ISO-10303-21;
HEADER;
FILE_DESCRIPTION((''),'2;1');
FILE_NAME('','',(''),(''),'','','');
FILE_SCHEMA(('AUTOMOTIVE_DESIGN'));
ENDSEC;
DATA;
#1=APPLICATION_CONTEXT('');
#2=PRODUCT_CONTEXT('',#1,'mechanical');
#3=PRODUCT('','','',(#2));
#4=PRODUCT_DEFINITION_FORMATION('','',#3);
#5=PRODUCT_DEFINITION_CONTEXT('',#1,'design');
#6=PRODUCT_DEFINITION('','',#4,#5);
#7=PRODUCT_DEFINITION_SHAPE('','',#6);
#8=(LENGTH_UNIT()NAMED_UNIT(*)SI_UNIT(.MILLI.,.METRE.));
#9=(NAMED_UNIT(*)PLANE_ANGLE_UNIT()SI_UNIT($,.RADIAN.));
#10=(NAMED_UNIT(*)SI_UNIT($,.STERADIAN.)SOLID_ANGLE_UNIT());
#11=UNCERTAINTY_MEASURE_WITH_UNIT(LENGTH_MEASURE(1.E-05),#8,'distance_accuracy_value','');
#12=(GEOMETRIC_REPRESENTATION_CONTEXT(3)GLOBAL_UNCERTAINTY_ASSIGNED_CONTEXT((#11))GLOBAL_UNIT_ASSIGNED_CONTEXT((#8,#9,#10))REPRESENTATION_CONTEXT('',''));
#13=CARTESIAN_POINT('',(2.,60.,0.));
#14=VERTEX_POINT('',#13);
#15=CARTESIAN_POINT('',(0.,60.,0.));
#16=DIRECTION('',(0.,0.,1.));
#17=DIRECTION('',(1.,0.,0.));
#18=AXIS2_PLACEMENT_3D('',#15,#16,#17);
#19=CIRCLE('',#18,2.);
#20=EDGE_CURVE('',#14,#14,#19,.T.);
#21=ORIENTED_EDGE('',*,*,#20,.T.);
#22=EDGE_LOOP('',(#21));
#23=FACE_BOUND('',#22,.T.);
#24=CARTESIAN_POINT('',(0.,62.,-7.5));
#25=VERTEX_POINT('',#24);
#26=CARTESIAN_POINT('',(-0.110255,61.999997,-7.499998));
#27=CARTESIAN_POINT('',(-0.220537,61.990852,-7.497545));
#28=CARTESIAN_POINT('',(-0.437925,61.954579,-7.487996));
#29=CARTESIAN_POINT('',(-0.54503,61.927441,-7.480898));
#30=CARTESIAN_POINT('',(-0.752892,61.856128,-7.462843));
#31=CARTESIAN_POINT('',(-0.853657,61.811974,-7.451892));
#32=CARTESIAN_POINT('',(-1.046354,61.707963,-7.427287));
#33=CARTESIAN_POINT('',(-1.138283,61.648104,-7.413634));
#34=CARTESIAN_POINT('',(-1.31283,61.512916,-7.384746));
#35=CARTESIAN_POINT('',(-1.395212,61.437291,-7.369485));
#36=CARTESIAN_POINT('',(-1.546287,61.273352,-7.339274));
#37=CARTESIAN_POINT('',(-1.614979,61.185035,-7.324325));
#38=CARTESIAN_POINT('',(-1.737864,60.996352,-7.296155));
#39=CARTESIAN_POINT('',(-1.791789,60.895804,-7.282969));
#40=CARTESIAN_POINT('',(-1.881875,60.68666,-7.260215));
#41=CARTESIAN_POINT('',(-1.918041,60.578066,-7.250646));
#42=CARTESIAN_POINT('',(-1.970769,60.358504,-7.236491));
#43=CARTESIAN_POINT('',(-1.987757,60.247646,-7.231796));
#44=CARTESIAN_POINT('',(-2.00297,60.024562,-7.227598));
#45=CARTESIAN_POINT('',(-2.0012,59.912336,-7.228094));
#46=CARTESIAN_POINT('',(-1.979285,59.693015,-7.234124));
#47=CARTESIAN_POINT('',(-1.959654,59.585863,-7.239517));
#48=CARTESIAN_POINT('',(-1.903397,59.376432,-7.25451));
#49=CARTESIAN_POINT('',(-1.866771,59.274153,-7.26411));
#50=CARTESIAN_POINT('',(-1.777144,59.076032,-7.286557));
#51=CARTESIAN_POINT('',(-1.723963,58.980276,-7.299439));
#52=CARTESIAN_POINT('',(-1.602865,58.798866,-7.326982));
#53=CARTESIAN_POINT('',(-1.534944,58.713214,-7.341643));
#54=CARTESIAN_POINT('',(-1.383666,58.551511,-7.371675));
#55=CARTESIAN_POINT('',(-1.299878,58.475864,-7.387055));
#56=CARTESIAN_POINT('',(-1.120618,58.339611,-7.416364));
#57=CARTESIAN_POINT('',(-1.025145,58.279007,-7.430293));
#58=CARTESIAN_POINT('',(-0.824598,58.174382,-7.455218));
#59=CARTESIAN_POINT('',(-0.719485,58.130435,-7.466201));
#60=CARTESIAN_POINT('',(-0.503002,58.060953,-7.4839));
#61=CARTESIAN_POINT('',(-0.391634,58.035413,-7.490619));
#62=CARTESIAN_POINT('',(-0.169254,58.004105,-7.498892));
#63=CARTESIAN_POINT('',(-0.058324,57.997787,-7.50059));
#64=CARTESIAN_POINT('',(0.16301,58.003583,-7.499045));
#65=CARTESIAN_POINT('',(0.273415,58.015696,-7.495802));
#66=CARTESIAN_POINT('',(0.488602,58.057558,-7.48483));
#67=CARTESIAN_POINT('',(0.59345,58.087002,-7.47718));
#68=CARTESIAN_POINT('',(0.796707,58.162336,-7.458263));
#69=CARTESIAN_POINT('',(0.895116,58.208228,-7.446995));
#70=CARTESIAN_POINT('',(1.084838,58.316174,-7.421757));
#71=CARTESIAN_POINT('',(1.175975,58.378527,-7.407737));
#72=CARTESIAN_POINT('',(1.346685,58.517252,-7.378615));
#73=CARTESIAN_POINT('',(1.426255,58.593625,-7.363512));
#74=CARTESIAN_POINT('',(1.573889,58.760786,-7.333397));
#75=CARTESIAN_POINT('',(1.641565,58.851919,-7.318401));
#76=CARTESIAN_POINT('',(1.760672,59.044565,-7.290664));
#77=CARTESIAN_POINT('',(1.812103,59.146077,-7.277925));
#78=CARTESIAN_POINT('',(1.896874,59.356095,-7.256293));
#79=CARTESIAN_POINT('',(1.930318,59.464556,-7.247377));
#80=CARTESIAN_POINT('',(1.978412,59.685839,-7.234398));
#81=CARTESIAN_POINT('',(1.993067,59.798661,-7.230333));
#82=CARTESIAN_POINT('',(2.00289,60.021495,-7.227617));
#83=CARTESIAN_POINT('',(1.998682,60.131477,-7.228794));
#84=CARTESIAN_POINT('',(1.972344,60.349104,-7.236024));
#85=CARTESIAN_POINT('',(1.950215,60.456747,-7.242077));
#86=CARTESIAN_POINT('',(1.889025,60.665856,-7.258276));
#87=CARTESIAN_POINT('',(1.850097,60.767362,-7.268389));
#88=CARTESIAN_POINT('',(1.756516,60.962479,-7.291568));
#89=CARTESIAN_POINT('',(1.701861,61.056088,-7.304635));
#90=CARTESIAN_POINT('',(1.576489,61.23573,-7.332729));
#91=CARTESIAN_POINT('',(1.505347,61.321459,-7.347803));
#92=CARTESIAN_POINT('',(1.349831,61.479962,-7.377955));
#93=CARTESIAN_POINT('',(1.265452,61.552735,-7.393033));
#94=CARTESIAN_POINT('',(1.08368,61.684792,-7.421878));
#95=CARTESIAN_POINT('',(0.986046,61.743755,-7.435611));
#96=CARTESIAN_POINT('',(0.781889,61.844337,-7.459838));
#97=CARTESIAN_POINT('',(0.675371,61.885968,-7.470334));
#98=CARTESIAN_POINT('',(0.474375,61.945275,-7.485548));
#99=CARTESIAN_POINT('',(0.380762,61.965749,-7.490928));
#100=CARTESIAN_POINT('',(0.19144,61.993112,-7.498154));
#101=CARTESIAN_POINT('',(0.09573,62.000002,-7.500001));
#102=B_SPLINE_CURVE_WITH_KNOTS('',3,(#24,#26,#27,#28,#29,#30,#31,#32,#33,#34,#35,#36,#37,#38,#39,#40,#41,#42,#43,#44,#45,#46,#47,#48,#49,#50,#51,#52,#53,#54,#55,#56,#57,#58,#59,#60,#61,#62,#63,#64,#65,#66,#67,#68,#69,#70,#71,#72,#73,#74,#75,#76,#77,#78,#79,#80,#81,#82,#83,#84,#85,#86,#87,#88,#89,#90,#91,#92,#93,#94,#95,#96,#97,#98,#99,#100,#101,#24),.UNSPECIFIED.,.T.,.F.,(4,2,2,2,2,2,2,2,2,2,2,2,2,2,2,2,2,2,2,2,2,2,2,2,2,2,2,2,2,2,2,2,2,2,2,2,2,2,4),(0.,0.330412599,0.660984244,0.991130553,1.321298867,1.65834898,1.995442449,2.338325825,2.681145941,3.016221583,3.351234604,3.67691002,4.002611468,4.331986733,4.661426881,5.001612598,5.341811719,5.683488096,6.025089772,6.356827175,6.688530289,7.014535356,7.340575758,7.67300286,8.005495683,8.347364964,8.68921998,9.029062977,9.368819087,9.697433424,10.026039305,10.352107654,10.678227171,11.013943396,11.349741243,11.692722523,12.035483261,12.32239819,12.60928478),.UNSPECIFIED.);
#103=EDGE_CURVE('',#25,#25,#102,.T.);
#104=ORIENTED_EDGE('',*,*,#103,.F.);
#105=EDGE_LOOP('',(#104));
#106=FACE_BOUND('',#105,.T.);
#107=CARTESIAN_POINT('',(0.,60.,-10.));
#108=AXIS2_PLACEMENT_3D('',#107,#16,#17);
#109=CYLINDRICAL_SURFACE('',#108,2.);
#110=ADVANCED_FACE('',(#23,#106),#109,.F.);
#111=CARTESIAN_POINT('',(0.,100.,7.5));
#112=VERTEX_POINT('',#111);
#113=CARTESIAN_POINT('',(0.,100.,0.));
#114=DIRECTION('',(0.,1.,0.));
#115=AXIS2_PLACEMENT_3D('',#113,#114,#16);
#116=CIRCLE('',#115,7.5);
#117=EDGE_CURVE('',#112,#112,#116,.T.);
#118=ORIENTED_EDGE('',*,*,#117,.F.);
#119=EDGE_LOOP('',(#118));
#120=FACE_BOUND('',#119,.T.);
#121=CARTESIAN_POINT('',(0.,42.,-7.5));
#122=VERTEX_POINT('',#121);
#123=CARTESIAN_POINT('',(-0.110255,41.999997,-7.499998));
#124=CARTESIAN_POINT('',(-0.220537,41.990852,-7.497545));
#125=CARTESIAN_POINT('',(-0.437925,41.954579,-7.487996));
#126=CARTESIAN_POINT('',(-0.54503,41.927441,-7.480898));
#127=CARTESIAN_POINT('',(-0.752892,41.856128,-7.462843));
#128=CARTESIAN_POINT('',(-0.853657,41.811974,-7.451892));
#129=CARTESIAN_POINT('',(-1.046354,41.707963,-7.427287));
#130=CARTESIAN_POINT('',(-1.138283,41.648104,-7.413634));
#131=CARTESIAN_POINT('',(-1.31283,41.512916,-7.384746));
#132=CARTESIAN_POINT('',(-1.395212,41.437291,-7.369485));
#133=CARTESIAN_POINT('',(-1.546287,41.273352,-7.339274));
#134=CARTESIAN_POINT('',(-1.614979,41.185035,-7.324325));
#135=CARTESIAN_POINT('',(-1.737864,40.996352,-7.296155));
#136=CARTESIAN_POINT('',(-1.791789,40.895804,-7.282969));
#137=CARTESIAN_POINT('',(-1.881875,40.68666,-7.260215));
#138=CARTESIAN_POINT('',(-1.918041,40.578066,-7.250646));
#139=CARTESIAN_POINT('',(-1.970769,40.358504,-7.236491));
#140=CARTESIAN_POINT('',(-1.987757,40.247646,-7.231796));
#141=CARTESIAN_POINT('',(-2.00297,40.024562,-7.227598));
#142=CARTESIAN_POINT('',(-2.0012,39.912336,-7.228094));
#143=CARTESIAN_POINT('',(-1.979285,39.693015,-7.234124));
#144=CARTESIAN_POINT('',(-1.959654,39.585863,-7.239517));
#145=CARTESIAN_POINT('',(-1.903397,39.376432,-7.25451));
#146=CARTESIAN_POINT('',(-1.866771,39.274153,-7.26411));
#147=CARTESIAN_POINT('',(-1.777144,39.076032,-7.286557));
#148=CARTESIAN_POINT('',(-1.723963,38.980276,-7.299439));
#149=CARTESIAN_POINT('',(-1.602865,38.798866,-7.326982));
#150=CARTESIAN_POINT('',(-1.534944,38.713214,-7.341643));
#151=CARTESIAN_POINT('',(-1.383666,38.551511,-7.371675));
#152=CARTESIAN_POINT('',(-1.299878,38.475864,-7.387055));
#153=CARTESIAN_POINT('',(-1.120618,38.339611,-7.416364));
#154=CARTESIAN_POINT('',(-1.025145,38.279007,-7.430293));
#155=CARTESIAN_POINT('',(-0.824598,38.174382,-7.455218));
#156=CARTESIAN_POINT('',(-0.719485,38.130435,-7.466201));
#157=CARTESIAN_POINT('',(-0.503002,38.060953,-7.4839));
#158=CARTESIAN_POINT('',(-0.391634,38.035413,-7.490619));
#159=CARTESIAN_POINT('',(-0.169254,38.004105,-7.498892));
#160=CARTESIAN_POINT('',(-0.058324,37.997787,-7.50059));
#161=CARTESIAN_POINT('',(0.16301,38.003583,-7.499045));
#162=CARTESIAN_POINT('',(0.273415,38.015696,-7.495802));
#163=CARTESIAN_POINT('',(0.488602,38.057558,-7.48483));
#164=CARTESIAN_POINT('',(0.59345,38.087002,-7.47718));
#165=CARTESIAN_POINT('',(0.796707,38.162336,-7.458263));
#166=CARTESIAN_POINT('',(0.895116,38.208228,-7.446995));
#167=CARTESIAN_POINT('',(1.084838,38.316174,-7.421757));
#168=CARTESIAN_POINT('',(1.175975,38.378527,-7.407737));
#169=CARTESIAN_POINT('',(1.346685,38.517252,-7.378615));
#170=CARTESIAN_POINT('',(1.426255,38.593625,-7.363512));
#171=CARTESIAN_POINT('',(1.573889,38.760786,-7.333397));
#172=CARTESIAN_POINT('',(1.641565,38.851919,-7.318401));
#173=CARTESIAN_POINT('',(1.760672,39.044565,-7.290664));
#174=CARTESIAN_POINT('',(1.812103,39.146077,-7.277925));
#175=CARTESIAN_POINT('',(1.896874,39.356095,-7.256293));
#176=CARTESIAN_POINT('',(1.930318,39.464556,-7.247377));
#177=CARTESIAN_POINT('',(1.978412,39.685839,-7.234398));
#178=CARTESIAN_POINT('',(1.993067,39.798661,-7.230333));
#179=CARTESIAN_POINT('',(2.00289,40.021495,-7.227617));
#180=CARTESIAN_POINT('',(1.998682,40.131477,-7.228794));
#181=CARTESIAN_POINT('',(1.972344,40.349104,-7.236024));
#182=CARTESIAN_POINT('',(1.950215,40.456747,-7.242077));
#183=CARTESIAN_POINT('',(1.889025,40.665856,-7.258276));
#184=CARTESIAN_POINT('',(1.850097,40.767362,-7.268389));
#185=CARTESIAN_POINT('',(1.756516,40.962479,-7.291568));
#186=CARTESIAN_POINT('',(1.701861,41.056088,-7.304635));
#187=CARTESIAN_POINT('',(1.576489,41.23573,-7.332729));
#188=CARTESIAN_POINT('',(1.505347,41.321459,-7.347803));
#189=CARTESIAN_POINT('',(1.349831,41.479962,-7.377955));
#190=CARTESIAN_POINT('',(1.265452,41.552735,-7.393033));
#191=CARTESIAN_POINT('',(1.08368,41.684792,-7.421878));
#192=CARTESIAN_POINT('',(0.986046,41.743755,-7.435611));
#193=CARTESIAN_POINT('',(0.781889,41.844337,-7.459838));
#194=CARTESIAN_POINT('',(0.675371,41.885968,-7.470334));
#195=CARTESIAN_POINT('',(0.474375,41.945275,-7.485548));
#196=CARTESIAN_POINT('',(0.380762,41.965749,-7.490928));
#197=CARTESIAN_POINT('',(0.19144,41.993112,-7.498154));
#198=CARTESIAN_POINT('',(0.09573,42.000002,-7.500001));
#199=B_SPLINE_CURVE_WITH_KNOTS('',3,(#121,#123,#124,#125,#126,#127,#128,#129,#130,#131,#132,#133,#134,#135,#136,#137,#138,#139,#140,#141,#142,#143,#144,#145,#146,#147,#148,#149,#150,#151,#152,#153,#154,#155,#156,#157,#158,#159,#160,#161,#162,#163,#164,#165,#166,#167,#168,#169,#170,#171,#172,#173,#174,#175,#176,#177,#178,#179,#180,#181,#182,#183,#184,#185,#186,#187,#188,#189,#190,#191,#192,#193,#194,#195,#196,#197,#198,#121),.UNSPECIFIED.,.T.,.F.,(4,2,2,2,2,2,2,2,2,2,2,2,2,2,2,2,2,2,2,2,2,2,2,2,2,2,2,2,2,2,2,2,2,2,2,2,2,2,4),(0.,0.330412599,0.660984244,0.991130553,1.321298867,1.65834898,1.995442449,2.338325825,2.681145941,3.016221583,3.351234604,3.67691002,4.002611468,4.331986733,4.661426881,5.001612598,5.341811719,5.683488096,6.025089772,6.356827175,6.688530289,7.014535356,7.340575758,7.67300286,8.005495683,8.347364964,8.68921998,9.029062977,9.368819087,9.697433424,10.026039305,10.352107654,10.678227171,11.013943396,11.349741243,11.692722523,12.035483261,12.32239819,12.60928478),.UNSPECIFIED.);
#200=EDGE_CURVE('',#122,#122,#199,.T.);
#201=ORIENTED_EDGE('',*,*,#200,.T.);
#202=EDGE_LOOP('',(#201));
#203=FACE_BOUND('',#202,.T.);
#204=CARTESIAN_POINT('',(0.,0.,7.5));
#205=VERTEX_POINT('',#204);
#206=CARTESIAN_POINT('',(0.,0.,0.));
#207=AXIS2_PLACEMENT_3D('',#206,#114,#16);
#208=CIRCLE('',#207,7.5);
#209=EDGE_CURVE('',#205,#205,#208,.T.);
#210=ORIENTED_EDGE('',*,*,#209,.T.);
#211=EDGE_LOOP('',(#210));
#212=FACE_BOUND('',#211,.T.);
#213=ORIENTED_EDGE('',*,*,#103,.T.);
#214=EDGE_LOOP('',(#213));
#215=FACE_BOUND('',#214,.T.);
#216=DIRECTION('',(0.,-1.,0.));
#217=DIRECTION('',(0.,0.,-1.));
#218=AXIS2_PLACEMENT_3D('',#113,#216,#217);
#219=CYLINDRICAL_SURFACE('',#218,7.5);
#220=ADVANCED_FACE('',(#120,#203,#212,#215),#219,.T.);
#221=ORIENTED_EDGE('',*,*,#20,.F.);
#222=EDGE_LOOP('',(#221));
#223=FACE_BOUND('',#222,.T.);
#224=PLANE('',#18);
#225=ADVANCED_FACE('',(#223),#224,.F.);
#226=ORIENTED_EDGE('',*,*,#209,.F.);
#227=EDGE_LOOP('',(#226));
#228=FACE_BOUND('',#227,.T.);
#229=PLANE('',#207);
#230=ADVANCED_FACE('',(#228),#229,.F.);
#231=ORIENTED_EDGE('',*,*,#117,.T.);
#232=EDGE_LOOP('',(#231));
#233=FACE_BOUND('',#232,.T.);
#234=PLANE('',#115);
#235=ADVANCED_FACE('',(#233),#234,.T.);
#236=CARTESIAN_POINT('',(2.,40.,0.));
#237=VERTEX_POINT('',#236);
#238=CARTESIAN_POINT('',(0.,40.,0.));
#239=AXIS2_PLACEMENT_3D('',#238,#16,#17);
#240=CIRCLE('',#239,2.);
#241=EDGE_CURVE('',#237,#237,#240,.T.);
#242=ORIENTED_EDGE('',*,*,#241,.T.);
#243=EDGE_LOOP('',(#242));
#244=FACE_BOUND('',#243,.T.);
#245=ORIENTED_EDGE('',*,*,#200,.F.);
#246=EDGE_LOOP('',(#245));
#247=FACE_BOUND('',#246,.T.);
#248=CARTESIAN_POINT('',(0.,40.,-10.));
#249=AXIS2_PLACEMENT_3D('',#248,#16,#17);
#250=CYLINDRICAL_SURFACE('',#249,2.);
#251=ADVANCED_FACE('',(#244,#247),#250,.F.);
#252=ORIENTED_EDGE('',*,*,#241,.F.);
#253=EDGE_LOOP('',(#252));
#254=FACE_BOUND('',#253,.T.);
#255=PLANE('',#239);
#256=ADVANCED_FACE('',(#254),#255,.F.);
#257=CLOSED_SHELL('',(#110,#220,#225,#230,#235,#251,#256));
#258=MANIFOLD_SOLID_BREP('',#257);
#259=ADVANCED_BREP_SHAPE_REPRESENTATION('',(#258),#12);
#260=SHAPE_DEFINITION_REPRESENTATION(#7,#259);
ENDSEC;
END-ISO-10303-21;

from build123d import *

# Parameters (mm, degrees)
SKETCH_1_R          = 7.5
EXTRUDE_1_DEPTH     = 100
SKETCH_2_R          = 2
CUT_EXTRUDE_1_DEPTH = 10


with BuildPart() as part:
    # 스케치1 → 보스-돌출1 (new body)
    with BuildSketch(Plane(origin=(0, 0, 0), x_dir=(1, 0, 0), z_dir=(0, 1, 0))):
        with Locations(Location((0, 0, 0), (0, 0, 270))):
            Circle(SKETCH_1_R)
    extrude(amount=EXTRUDE_1_DEPTH)

    # 스케치2 → 컷-돌출1 (cut)
    with BuildSketch(Plane.XY):
        with Locations((0, 40)):
            Circle(SKETCH_2_R)
        with Locations((0, 60)):
            Circle(SKETCH_2_R)
    extrude(amount=-CUT_EXTRUDE_1_DEPTH, mode=Mode.SUBTRACT)


solid = part.part
